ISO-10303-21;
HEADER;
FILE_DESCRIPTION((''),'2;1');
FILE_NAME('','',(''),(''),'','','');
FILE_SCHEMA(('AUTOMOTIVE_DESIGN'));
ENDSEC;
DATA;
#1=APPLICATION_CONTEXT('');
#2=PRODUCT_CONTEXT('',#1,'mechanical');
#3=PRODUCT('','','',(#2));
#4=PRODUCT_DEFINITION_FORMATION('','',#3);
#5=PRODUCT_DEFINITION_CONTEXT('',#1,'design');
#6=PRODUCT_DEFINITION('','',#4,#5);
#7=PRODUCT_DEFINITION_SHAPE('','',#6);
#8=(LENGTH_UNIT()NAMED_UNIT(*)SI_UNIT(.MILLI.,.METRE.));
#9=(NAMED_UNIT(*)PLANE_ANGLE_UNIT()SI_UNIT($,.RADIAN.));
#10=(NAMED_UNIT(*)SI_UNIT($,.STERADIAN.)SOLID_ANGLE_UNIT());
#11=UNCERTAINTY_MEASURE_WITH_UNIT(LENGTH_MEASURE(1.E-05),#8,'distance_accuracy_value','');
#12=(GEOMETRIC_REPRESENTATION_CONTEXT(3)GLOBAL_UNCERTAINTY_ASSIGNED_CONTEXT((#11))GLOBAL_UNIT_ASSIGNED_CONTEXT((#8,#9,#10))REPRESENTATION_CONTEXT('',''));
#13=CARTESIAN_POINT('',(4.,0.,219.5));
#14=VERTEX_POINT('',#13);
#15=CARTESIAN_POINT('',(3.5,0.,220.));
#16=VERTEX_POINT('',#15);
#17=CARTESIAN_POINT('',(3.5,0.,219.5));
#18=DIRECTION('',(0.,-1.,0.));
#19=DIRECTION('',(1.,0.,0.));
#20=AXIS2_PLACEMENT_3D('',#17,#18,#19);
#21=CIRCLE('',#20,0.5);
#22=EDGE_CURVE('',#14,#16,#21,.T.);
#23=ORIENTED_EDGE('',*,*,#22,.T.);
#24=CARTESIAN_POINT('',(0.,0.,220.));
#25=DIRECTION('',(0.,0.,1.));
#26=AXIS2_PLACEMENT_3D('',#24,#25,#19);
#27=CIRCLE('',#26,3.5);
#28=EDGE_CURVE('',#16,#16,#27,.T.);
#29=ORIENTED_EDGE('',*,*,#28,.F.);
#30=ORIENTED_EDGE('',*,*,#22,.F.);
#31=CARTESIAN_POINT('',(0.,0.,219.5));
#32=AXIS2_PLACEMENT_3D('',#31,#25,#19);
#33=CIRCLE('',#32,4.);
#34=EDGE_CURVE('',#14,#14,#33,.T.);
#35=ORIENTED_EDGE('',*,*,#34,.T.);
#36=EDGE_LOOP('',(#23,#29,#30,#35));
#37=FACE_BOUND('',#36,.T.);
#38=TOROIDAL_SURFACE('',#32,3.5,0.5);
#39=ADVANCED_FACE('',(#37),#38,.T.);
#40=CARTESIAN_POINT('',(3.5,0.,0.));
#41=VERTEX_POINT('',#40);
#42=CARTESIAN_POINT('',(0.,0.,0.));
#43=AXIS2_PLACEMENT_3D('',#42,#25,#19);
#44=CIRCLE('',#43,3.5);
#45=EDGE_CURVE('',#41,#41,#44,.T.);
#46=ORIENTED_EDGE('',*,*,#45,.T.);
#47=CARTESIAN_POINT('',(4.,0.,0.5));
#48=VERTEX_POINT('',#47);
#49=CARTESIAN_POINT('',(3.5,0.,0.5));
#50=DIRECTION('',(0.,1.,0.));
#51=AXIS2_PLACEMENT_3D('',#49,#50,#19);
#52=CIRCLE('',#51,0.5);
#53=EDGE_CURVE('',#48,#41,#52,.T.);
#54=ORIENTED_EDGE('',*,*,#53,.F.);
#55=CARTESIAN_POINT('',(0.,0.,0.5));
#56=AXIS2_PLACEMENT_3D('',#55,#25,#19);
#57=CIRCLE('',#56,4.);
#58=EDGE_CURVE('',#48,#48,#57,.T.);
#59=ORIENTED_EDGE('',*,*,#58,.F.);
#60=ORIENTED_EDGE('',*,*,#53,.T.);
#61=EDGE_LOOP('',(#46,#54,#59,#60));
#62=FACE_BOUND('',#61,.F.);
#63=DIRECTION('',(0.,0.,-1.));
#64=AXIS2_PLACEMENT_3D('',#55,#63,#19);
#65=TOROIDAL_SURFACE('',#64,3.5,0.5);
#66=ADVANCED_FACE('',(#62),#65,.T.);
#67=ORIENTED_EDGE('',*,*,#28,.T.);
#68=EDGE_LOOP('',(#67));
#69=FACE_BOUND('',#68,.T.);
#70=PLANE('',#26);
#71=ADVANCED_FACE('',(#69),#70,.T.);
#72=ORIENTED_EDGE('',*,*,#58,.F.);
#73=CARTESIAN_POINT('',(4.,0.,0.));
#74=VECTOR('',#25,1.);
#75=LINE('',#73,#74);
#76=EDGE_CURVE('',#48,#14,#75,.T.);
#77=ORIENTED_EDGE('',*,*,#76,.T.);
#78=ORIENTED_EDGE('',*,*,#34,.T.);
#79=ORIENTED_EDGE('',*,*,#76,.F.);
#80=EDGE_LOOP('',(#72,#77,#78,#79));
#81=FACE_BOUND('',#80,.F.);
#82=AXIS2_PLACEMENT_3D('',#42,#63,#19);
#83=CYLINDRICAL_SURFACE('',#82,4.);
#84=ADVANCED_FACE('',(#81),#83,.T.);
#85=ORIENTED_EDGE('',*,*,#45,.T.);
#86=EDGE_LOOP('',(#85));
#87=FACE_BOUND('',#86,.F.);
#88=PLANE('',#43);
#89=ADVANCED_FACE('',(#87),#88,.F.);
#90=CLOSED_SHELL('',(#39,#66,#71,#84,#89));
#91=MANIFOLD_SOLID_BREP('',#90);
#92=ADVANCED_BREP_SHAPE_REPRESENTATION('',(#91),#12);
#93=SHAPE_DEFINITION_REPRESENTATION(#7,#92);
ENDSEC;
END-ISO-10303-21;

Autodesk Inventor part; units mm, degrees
ref_plane "YZ Plane" through (0, 0, 0) normal (1, 0, 0) x (0, 1, 0)
ref_plane "XZ Plane" through (0, 0, 0) normal (0, 1, 0) x (-1, 0, 0)
ref_plane "XY Plane" through (0, 0, 0) normal (0, 0, 1) x (1, 0, 0)
sketch "Sketch1" plane through (0, 0, 0) normal (0, 0, 1) x (1, 0, 0)
  circle A0 centre (0, 0) radius 4
  dimension "d0" = 8
extrude "Extrusion1" add sketch "Sketch1" along normal blind 220
fillet "Fillet1" radius 0.5 2 edges at (-4, 0, 220) (-4, 0, 0)
properties part number "slide rod"
